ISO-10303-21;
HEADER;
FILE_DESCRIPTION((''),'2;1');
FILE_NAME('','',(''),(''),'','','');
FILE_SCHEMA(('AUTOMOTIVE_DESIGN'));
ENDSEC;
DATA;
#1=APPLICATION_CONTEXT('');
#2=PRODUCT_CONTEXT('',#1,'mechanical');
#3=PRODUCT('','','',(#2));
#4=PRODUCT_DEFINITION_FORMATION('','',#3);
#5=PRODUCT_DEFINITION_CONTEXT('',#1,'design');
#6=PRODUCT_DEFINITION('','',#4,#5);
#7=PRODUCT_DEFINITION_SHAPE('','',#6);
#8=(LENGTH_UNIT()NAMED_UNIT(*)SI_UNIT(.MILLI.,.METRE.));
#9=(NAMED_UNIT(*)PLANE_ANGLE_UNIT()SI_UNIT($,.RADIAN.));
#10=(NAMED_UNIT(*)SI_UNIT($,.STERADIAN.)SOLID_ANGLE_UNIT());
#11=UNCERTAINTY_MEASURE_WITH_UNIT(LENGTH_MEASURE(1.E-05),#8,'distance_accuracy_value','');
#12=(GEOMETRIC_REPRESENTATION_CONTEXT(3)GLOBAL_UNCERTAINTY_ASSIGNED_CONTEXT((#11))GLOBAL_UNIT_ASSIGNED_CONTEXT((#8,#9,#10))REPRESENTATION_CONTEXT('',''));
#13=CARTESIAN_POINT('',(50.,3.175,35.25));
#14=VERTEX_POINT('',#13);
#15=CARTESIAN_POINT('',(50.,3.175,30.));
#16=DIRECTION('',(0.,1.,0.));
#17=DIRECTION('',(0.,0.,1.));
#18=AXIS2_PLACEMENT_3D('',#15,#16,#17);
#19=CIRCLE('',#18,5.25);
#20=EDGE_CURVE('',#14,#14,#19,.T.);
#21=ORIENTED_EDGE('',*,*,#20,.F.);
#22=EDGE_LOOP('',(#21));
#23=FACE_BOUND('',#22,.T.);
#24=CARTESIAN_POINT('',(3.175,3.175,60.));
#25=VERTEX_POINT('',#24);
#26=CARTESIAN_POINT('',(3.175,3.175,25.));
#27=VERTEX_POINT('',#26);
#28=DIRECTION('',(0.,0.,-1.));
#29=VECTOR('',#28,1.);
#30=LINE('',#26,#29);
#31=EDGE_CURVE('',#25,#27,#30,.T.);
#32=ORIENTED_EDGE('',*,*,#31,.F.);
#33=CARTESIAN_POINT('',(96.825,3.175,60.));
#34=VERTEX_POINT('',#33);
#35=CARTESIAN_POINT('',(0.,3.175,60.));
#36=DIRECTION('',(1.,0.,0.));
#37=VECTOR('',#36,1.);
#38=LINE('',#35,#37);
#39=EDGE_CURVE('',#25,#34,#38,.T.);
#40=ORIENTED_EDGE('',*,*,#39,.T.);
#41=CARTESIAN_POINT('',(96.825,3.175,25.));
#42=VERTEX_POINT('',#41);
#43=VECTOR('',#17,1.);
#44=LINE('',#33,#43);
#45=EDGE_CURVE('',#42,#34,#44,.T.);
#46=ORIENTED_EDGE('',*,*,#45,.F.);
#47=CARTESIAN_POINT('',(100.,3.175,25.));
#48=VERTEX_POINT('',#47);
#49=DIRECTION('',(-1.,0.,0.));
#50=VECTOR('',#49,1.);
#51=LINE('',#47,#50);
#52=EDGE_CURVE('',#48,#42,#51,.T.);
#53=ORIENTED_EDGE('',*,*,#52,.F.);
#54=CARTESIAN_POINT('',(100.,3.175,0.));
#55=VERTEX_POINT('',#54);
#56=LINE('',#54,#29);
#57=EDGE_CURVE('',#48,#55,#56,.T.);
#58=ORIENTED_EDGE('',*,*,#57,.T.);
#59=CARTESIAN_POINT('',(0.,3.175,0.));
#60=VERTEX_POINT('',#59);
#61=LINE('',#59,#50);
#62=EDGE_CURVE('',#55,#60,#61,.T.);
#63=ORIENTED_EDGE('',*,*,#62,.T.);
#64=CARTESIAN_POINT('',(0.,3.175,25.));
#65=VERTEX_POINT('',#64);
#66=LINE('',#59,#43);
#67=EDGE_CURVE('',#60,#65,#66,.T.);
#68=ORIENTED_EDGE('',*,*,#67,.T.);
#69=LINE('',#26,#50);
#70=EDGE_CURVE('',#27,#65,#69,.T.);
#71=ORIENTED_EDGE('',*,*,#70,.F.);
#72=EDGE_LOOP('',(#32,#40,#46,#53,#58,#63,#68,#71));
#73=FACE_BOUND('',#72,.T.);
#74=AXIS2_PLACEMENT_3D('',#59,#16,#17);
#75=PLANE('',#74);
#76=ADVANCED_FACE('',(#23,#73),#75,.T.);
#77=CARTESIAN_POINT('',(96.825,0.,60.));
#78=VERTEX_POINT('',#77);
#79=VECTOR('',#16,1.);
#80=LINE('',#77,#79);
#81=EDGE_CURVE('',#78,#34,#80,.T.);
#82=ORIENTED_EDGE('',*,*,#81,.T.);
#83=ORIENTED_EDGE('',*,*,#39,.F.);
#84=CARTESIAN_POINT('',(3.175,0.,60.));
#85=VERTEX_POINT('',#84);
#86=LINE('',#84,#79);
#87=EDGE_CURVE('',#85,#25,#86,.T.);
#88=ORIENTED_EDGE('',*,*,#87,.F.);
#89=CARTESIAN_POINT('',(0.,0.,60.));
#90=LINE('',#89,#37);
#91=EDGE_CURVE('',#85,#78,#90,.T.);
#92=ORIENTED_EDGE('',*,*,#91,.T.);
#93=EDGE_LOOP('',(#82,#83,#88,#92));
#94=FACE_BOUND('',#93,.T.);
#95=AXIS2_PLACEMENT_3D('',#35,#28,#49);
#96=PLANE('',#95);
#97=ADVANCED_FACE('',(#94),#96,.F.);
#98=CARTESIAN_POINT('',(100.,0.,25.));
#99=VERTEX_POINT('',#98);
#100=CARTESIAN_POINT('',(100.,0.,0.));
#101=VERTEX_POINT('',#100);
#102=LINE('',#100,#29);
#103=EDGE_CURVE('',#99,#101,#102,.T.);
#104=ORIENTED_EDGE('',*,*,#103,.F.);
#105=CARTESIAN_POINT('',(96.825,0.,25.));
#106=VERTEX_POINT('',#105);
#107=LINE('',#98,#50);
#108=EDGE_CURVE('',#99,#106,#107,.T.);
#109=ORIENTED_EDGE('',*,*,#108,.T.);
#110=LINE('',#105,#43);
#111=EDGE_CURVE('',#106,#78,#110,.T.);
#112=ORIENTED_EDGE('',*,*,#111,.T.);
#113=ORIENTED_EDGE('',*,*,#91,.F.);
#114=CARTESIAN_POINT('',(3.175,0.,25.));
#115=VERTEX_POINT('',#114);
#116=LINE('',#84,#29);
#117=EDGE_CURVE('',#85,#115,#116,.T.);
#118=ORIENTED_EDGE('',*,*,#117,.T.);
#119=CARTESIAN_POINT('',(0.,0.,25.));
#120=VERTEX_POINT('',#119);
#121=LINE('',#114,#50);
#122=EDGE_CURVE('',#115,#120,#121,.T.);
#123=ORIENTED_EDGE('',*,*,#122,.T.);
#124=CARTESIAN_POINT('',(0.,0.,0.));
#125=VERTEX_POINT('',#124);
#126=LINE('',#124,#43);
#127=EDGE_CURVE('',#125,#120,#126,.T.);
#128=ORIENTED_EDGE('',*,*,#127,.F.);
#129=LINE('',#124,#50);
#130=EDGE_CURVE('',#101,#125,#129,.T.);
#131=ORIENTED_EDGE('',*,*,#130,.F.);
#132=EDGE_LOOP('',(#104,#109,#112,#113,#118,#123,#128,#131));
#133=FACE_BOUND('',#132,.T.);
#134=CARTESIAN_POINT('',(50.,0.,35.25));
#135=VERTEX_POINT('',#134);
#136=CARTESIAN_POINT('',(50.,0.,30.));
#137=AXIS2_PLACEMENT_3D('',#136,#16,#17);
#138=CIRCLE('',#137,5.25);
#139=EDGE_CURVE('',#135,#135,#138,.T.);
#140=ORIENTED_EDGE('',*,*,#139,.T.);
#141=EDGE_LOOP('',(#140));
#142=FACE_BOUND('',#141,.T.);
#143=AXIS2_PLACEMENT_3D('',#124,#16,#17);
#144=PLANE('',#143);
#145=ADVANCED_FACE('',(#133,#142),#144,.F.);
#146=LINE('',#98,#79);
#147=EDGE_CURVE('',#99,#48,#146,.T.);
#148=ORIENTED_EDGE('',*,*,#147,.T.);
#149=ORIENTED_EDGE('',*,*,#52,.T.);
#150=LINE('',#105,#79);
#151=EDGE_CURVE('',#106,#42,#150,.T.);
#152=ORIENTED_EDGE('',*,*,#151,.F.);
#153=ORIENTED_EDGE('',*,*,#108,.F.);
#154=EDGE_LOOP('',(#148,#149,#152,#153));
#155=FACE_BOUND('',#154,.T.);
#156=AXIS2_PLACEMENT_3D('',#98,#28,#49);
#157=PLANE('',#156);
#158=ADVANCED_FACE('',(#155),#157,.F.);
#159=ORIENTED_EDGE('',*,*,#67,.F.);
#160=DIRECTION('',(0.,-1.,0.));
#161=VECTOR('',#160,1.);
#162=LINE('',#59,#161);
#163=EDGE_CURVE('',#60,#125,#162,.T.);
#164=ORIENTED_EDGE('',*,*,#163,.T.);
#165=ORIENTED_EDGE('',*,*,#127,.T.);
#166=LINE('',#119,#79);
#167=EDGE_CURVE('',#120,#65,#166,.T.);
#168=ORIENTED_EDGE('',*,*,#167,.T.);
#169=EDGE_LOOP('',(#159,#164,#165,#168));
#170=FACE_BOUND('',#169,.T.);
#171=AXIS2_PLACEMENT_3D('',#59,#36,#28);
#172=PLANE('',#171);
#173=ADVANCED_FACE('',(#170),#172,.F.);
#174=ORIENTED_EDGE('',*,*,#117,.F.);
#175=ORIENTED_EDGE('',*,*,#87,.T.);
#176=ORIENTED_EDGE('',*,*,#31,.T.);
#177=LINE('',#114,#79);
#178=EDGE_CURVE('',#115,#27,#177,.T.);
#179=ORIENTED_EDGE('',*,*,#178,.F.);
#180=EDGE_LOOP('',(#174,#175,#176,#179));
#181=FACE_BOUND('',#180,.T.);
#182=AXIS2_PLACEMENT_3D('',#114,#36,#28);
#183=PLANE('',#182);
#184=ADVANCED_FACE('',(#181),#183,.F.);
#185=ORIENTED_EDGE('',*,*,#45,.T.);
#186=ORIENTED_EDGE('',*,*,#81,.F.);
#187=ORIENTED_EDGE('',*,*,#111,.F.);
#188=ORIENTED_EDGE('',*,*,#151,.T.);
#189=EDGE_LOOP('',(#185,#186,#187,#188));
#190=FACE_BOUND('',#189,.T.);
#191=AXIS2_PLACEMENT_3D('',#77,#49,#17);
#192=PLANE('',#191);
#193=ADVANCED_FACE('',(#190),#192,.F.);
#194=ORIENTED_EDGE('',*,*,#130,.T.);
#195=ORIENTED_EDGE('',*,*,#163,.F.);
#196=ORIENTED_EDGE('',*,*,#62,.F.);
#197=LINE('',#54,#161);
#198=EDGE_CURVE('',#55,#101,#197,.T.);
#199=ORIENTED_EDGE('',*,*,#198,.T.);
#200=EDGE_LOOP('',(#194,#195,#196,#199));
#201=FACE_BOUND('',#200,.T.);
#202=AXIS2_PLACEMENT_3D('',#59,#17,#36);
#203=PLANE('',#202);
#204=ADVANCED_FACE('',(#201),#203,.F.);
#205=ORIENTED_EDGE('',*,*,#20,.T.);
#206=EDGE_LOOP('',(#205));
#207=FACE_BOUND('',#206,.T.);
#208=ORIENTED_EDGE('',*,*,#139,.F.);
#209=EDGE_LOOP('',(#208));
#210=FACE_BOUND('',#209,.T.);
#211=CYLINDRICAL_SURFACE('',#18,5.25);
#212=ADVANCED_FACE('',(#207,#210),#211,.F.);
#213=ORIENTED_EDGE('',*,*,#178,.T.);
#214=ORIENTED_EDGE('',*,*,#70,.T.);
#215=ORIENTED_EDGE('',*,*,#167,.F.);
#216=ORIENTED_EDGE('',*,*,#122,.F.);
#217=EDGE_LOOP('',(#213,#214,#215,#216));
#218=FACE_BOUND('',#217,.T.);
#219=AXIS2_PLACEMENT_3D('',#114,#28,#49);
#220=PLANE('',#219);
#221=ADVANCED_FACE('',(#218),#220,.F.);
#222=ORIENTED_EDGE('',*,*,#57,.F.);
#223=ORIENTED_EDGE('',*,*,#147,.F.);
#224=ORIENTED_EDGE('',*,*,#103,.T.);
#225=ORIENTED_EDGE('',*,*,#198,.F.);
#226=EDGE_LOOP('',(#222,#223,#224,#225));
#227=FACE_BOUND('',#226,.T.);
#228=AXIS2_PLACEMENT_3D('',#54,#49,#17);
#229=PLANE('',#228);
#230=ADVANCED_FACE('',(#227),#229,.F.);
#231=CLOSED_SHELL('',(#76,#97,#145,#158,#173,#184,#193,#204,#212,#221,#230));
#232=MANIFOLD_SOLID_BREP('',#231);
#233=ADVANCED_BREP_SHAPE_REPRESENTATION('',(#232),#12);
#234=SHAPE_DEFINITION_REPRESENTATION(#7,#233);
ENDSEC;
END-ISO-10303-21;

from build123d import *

# Parameters (mm, degrees)
SKETCH1_W                    = 100
SKETCH1_H                    = 60
BOSS_EXTRUDE1_DEPTH          = 3.175
CUT_EXTRUDE1_DEPTH           = 3.175
TAP_DRILL_FOR_M12X1_5_TAP1_D = 10.5


with BuildPart() as part:
    # Sketch1 → Boss-Extrude1 (new body)
    with BuildSketch(Plane(origin=(0, 0, 0), x_dir=(1, 0, 0), z_dir=(0, 1, 0))):
        with Locations((50, -30)):
            Rectangle(SKETCH1_W, SKETCH1_H)
    extrude(amount=BOSS_EXTRUDE1_DEPTH)

    # Sketch2 → Cut-Extrude1 (cut)
    with BuildSketch(Plane(origin=(0, 3.175, 0), x_dir=(1, 0, 0), z_dir=(0, 1, 0))):
        Polygon((3.175, -25), (3.175, -35), (3.175, -60), (0, -60), (0, -45), (0, -25), align=None)
        Polygon((100, -25), (96.825, -25), (96.825, -35), (96.825, -60), (100, -60), (100, -45), align=None)
    extrude(amount=-CUT_EXTRUDE1_DEPTH, mode=Mode.SUBTRACT)

    # Tap Drill for M12x1.5 Tap1 (through all)
    with Locations(Plane(origin=(0, 3.175, 0), x_dir=(1, 0, 0), z_dir=(0, 1, 0))):
        with Locations((50, -30)):
            Hole(TAP_DRILL_FOR_M12X1_5_TAP1_D / 2)


solid = part.part
